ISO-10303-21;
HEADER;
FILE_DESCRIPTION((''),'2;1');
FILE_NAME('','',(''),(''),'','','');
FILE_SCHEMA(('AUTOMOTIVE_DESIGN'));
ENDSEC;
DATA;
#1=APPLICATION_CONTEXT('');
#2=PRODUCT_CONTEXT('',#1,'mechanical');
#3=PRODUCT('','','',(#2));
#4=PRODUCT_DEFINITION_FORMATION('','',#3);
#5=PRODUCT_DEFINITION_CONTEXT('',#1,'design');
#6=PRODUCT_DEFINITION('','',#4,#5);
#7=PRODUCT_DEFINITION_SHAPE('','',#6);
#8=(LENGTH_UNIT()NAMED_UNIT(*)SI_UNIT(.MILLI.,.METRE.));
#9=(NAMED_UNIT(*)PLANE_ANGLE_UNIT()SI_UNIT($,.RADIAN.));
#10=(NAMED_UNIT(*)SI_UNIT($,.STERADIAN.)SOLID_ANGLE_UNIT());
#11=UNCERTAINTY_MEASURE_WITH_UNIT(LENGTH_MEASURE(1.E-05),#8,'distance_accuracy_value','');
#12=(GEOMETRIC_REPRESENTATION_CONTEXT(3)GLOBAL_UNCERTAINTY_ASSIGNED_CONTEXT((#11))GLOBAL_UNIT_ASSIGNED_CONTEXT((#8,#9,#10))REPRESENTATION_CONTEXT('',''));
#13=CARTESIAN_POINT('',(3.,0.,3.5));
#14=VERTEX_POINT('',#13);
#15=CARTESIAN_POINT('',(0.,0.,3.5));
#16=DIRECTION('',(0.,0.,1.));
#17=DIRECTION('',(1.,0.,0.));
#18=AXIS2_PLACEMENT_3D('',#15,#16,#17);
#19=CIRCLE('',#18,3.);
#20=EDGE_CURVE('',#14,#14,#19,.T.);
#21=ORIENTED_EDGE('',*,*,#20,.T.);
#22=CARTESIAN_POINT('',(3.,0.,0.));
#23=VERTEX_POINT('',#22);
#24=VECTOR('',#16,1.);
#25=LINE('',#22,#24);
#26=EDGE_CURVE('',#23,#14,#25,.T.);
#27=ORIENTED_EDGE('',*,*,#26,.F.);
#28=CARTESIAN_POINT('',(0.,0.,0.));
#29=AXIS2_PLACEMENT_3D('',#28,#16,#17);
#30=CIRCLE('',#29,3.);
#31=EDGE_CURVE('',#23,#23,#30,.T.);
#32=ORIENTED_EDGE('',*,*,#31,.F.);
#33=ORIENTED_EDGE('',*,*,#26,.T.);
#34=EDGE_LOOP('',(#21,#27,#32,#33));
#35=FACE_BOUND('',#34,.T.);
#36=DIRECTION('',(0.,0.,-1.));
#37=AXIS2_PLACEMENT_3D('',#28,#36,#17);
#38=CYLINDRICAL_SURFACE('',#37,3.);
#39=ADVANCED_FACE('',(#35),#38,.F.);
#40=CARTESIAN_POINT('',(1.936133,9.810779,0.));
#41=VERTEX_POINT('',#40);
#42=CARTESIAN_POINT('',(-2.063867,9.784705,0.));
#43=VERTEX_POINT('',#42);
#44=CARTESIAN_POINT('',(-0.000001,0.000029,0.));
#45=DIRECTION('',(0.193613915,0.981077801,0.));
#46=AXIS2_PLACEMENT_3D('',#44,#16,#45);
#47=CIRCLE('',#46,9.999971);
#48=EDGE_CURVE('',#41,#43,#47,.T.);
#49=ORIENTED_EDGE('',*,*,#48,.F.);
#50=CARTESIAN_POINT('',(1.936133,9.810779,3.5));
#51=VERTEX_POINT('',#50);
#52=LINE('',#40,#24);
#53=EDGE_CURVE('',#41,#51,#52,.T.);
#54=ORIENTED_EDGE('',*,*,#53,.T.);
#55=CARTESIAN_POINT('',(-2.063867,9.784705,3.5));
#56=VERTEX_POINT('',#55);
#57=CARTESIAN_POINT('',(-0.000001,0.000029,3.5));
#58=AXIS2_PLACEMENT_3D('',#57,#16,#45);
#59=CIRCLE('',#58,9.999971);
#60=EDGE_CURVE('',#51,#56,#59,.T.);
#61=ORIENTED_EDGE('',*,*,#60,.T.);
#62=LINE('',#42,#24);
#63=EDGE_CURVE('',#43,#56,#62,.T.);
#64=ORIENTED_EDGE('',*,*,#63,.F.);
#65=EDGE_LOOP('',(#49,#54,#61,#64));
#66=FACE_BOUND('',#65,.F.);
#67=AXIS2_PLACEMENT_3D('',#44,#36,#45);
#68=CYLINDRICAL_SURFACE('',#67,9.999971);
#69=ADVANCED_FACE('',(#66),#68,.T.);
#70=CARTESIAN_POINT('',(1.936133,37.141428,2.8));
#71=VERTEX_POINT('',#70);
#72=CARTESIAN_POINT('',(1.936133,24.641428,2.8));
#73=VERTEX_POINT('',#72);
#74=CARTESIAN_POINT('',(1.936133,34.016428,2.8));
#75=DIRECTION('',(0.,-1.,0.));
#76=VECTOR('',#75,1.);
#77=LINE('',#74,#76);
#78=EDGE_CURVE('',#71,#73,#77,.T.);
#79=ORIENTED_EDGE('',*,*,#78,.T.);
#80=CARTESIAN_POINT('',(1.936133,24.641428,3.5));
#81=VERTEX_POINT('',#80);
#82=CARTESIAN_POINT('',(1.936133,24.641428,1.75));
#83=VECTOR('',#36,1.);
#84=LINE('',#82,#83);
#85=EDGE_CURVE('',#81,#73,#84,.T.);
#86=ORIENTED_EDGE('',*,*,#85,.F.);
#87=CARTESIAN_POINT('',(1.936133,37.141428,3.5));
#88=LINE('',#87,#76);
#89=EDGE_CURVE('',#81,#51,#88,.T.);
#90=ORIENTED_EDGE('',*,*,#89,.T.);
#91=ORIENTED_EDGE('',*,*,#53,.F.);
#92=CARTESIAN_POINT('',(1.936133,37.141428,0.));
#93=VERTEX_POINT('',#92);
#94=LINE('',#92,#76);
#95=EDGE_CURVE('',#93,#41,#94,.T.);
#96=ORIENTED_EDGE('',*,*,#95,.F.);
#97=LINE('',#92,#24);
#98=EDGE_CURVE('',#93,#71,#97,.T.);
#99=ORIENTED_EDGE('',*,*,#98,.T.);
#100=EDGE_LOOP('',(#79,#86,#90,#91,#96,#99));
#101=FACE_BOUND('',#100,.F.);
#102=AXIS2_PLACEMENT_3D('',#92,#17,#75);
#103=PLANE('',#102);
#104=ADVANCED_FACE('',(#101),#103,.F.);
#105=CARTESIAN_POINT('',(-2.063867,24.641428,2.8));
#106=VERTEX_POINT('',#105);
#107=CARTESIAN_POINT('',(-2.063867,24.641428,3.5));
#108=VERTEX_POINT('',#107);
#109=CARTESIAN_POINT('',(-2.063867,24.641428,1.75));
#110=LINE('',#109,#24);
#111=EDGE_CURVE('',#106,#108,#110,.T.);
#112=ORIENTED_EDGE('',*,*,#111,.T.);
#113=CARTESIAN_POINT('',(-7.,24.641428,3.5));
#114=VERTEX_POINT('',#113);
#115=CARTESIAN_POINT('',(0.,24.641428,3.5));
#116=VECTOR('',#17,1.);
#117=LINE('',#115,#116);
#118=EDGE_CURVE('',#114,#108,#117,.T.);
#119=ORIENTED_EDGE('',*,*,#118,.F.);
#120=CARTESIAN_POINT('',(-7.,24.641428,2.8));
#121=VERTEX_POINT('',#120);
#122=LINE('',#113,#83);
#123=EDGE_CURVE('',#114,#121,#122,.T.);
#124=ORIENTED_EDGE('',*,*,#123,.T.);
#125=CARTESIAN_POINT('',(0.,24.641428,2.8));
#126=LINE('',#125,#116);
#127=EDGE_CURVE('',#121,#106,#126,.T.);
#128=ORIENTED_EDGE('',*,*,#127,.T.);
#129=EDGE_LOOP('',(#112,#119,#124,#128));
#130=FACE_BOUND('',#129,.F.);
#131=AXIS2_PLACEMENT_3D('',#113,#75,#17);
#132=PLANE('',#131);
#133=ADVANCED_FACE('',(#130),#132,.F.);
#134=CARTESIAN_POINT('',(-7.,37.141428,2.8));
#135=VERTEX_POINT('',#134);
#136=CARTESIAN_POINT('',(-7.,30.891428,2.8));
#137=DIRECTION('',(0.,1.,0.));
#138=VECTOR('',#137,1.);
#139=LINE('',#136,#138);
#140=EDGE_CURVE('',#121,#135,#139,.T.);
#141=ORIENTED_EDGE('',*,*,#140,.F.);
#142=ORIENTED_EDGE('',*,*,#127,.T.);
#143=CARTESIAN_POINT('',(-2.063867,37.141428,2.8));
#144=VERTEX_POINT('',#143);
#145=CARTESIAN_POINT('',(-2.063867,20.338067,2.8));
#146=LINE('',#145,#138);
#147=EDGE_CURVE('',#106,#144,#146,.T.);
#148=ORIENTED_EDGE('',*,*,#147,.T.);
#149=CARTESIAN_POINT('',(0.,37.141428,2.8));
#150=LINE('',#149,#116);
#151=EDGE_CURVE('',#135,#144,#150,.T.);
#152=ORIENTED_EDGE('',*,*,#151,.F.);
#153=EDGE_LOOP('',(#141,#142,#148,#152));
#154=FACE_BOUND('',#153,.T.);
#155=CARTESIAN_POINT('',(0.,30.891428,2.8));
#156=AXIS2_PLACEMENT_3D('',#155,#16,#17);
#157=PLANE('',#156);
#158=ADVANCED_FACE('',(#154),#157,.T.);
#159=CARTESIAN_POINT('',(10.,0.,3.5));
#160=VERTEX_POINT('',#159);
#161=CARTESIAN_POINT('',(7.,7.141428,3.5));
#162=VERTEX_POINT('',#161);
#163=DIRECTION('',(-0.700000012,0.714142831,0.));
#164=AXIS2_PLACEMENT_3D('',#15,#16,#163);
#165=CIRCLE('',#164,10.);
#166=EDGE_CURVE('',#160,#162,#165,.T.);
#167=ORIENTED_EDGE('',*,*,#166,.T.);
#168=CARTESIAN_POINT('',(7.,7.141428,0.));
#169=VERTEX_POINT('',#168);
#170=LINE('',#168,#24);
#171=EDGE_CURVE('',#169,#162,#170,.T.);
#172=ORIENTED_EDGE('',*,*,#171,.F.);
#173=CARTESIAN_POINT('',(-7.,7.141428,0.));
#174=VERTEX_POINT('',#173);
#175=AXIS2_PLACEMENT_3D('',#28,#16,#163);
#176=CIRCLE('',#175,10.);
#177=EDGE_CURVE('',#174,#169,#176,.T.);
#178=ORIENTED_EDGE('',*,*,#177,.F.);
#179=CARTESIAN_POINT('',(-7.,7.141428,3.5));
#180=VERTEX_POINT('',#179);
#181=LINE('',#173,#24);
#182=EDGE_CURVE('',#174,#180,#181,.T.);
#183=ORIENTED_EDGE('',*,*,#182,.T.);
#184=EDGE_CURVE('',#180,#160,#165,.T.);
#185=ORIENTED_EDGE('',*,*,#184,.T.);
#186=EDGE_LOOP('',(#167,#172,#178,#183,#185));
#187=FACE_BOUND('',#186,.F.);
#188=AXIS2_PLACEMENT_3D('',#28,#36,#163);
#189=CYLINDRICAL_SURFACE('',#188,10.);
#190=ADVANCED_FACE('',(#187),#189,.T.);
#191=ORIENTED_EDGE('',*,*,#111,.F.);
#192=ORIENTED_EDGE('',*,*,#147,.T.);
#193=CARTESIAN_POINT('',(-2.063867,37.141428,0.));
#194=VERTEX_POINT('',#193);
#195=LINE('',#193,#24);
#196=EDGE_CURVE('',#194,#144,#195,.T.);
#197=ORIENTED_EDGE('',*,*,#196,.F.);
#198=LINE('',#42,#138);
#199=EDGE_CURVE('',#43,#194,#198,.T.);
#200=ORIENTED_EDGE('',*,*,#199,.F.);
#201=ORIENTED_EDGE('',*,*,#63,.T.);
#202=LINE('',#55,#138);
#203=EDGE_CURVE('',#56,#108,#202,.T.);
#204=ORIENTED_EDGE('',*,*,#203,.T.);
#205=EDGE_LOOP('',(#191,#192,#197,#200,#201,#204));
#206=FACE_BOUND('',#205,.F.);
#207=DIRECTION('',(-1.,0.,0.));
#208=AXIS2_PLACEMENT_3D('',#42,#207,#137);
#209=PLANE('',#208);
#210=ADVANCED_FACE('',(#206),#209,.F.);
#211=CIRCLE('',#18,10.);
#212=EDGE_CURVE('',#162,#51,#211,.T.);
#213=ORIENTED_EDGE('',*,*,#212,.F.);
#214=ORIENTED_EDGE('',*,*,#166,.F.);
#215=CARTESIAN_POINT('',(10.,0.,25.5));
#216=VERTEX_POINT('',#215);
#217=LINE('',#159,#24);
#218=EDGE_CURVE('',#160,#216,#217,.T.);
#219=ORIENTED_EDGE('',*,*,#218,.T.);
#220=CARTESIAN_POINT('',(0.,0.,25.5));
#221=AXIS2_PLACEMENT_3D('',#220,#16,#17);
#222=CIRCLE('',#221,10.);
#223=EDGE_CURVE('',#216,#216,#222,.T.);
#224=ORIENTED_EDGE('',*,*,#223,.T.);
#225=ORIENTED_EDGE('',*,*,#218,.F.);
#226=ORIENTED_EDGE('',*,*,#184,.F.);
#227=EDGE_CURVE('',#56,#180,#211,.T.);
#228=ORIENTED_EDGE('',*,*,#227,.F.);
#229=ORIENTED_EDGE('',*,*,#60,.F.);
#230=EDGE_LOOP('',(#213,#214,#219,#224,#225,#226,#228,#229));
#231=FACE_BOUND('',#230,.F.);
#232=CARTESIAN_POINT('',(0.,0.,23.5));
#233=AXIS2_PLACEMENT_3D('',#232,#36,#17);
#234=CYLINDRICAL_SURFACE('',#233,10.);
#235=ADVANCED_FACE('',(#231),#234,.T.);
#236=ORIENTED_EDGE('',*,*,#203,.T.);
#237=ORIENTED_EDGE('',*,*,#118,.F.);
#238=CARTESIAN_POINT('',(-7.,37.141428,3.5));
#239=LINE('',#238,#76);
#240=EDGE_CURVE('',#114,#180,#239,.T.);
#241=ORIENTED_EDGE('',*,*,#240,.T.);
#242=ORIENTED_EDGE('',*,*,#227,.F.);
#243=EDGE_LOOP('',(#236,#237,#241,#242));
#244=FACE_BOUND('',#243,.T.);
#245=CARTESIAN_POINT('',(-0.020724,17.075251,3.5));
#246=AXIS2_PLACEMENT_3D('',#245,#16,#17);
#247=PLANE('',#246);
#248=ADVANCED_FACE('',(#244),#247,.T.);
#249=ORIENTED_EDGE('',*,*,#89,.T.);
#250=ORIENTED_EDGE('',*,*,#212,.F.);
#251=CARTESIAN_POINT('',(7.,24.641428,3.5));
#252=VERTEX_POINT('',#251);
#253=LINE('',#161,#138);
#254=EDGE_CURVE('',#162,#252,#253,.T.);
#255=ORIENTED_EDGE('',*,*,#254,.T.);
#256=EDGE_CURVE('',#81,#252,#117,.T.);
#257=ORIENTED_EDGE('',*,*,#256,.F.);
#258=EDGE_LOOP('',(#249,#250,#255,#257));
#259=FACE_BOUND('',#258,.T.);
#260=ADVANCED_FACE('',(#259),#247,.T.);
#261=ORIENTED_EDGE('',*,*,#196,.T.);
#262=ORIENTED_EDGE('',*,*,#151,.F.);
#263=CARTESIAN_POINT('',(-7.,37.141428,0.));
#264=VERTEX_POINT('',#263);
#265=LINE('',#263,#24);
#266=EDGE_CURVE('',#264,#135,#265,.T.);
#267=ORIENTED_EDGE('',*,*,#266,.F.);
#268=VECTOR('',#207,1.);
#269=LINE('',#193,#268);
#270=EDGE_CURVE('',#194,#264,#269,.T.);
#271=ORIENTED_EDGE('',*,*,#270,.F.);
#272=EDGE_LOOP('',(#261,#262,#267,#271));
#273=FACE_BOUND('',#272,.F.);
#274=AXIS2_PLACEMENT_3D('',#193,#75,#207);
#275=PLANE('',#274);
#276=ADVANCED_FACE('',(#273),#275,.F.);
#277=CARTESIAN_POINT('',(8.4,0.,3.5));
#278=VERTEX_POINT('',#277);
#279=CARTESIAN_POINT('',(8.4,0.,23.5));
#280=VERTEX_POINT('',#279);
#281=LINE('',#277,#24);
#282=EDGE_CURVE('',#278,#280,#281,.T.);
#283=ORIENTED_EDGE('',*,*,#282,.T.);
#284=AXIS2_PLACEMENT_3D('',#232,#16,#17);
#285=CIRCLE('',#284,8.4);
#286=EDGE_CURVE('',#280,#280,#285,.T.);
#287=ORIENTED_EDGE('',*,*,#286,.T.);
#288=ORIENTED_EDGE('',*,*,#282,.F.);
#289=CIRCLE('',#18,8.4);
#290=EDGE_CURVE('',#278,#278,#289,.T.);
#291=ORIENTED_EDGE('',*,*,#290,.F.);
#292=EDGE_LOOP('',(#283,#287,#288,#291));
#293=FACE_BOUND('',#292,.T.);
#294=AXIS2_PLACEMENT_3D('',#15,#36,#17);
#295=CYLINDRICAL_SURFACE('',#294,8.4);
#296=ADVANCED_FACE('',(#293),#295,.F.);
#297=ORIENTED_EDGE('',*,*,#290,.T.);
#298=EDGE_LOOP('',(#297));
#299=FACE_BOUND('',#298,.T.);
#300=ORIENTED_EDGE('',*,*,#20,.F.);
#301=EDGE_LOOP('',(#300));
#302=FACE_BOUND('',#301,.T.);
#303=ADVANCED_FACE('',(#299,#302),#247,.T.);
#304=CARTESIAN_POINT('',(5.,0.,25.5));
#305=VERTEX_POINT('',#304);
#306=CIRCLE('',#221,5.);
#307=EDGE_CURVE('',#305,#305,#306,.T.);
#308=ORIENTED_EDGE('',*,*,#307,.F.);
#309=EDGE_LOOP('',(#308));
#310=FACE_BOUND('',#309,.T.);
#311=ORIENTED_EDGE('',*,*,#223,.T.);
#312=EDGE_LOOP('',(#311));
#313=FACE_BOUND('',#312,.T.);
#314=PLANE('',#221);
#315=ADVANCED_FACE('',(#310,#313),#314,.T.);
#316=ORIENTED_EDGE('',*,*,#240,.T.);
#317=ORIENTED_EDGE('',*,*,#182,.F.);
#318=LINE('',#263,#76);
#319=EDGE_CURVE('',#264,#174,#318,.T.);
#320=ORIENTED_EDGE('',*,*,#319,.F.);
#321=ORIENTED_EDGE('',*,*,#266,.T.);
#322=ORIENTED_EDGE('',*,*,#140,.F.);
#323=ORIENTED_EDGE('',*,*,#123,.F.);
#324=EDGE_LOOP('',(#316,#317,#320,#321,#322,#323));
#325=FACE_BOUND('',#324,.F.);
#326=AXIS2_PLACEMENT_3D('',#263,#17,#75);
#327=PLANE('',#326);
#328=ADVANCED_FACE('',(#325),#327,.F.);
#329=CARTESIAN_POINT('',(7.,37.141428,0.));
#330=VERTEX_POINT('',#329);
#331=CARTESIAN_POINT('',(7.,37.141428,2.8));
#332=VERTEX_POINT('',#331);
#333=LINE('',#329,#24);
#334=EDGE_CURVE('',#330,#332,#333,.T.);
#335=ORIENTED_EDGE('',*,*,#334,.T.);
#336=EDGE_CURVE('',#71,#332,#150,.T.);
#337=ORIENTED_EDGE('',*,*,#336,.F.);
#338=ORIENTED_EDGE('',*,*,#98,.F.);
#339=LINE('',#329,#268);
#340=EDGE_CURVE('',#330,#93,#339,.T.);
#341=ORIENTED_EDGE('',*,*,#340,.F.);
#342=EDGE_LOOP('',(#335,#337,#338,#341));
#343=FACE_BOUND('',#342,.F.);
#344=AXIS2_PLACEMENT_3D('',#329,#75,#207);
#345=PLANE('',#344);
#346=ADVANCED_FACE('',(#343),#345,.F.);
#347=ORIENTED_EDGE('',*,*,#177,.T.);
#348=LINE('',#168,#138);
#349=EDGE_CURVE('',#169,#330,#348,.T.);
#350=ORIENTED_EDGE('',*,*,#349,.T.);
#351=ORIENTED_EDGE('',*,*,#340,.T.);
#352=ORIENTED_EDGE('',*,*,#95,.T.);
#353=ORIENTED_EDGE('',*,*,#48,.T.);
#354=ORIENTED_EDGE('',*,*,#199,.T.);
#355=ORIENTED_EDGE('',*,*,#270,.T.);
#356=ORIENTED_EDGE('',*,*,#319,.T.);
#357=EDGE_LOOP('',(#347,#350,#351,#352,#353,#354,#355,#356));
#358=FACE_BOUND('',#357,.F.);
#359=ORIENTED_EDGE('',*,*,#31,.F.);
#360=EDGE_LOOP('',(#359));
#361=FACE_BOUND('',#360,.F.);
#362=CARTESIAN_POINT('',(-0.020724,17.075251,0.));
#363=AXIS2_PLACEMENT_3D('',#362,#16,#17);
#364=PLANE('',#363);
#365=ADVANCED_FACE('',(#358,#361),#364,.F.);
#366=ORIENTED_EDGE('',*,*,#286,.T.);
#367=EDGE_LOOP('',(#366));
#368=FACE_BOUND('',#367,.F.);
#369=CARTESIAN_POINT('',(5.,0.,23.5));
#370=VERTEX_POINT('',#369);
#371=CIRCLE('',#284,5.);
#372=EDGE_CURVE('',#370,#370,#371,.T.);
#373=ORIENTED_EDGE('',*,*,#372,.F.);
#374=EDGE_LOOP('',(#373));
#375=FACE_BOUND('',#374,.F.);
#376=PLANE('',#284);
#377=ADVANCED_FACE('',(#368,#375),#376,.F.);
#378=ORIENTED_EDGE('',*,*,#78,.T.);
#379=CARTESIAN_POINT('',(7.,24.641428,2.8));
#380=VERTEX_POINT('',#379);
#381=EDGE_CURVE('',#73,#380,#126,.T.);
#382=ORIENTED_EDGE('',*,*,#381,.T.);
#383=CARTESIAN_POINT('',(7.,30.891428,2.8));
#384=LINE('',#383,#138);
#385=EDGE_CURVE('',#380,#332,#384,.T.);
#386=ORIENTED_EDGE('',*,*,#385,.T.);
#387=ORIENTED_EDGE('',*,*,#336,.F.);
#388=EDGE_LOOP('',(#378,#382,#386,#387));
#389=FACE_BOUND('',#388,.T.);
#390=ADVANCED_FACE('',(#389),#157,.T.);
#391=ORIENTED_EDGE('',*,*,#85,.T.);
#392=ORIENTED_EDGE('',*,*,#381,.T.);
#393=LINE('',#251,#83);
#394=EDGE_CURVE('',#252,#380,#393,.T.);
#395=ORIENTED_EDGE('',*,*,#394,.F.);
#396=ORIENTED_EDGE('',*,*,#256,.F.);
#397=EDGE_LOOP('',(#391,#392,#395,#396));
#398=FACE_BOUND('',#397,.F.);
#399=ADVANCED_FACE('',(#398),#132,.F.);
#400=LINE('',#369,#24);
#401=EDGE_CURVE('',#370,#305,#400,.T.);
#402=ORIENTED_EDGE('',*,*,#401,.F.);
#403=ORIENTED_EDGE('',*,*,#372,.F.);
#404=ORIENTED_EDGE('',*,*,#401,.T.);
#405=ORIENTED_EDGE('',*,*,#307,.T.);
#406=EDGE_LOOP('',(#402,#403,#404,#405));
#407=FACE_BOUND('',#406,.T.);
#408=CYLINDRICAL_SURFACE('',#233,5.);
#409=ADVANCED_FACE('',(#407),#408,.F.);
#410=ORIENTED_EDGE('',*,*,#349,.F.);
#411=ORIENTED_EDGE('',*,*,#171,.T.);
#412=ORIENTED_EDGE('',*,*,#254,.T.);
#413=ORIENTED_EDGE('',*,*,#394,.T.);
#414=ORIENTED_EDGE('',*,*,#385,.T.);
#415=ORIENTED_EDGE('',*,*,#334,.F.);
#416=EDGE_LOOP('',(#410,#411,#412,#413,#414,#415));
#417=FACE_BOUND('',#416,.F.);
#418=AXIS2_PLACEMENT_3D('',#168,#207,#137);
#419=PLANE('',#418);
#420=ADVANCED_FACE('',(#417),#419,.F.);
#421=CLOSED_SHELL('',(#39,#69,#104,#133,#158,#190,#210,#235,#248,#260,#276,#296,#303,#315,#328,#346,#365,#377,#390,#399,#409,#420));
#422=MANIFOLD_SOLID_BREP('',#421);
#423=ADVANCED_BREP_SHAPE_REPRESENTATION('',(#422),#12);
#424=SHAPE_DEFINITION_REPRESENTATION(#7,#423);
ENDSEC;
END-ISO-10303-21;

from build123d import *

# Parameters (mm, degrees)
F0_R     = 3
F1_DEPTH = 3.5
F2_W     = 14
F2_H     = 12.5
F3_DEPTH = 0.7
F4_R     = 10
F4_R_2   = 8.4
F5_DEPTH = 20
F6_R     = 10
F6_R_2   = 5
F7_DEPTH = 2


with BuildPart() as f1:
    # F0 (on Top) → F1 (new body)
    with BuildSketch(Plane.XY):
        with BuildLine():
            Line((-7, 37.141428), (-7, 7.141428))
            ThreePointArc((-7, 7.141428), (0, -10), (7, 7.141428))
            Line((7, 7.141428), (7, 37.141428))
            Line((7, 37.141428), (1.936133, 37.141428))
            Line((1.936133, 37.141428), (1.936133, 9.810779))
            ThreePointArc((1.936133, 9.810779), (-0.065184, 9.999788), (-2.063867, 9.784705))
            Line((-2.063867, 9.784705), (-2.063867, 37.141428))
            Line((-2.063867, 37.141428), (-7, 37.141428))
        make_face()
        Circle(F0_R, mode=Mode.SUBTRACT)
    extrude(amount=F1_DEPTH)

    # F2 (on face) → F3 (cut)
    with BuildSketch(Plane.XY.offset(3.5)):
        with Locations((0, 30.891428)):
            Rectangle(F2_W, F2_H)
    extrude(amount=-F3_DEPTH, mode=Mode.SUBTRACT)

    # F4 (on face) → F5 (join)
    with BuildSketch(Plane.XY.offset(3.5)):
        Circle(F4_R)
        Circle(F4_R_2, mode=Mode.SUBTRACT)
    extrude(amount=F5_DEPTH)

    # F6 (on face) → F7 (join)
    with BuildSketch(Plane.XY.offset(23.5)):
        Circle(F6_R)
        Circle(F6_R_2, mode=Mode.SUBTRACT)
    extrude(amount=F7_DEPTH)


solid = f1.part
